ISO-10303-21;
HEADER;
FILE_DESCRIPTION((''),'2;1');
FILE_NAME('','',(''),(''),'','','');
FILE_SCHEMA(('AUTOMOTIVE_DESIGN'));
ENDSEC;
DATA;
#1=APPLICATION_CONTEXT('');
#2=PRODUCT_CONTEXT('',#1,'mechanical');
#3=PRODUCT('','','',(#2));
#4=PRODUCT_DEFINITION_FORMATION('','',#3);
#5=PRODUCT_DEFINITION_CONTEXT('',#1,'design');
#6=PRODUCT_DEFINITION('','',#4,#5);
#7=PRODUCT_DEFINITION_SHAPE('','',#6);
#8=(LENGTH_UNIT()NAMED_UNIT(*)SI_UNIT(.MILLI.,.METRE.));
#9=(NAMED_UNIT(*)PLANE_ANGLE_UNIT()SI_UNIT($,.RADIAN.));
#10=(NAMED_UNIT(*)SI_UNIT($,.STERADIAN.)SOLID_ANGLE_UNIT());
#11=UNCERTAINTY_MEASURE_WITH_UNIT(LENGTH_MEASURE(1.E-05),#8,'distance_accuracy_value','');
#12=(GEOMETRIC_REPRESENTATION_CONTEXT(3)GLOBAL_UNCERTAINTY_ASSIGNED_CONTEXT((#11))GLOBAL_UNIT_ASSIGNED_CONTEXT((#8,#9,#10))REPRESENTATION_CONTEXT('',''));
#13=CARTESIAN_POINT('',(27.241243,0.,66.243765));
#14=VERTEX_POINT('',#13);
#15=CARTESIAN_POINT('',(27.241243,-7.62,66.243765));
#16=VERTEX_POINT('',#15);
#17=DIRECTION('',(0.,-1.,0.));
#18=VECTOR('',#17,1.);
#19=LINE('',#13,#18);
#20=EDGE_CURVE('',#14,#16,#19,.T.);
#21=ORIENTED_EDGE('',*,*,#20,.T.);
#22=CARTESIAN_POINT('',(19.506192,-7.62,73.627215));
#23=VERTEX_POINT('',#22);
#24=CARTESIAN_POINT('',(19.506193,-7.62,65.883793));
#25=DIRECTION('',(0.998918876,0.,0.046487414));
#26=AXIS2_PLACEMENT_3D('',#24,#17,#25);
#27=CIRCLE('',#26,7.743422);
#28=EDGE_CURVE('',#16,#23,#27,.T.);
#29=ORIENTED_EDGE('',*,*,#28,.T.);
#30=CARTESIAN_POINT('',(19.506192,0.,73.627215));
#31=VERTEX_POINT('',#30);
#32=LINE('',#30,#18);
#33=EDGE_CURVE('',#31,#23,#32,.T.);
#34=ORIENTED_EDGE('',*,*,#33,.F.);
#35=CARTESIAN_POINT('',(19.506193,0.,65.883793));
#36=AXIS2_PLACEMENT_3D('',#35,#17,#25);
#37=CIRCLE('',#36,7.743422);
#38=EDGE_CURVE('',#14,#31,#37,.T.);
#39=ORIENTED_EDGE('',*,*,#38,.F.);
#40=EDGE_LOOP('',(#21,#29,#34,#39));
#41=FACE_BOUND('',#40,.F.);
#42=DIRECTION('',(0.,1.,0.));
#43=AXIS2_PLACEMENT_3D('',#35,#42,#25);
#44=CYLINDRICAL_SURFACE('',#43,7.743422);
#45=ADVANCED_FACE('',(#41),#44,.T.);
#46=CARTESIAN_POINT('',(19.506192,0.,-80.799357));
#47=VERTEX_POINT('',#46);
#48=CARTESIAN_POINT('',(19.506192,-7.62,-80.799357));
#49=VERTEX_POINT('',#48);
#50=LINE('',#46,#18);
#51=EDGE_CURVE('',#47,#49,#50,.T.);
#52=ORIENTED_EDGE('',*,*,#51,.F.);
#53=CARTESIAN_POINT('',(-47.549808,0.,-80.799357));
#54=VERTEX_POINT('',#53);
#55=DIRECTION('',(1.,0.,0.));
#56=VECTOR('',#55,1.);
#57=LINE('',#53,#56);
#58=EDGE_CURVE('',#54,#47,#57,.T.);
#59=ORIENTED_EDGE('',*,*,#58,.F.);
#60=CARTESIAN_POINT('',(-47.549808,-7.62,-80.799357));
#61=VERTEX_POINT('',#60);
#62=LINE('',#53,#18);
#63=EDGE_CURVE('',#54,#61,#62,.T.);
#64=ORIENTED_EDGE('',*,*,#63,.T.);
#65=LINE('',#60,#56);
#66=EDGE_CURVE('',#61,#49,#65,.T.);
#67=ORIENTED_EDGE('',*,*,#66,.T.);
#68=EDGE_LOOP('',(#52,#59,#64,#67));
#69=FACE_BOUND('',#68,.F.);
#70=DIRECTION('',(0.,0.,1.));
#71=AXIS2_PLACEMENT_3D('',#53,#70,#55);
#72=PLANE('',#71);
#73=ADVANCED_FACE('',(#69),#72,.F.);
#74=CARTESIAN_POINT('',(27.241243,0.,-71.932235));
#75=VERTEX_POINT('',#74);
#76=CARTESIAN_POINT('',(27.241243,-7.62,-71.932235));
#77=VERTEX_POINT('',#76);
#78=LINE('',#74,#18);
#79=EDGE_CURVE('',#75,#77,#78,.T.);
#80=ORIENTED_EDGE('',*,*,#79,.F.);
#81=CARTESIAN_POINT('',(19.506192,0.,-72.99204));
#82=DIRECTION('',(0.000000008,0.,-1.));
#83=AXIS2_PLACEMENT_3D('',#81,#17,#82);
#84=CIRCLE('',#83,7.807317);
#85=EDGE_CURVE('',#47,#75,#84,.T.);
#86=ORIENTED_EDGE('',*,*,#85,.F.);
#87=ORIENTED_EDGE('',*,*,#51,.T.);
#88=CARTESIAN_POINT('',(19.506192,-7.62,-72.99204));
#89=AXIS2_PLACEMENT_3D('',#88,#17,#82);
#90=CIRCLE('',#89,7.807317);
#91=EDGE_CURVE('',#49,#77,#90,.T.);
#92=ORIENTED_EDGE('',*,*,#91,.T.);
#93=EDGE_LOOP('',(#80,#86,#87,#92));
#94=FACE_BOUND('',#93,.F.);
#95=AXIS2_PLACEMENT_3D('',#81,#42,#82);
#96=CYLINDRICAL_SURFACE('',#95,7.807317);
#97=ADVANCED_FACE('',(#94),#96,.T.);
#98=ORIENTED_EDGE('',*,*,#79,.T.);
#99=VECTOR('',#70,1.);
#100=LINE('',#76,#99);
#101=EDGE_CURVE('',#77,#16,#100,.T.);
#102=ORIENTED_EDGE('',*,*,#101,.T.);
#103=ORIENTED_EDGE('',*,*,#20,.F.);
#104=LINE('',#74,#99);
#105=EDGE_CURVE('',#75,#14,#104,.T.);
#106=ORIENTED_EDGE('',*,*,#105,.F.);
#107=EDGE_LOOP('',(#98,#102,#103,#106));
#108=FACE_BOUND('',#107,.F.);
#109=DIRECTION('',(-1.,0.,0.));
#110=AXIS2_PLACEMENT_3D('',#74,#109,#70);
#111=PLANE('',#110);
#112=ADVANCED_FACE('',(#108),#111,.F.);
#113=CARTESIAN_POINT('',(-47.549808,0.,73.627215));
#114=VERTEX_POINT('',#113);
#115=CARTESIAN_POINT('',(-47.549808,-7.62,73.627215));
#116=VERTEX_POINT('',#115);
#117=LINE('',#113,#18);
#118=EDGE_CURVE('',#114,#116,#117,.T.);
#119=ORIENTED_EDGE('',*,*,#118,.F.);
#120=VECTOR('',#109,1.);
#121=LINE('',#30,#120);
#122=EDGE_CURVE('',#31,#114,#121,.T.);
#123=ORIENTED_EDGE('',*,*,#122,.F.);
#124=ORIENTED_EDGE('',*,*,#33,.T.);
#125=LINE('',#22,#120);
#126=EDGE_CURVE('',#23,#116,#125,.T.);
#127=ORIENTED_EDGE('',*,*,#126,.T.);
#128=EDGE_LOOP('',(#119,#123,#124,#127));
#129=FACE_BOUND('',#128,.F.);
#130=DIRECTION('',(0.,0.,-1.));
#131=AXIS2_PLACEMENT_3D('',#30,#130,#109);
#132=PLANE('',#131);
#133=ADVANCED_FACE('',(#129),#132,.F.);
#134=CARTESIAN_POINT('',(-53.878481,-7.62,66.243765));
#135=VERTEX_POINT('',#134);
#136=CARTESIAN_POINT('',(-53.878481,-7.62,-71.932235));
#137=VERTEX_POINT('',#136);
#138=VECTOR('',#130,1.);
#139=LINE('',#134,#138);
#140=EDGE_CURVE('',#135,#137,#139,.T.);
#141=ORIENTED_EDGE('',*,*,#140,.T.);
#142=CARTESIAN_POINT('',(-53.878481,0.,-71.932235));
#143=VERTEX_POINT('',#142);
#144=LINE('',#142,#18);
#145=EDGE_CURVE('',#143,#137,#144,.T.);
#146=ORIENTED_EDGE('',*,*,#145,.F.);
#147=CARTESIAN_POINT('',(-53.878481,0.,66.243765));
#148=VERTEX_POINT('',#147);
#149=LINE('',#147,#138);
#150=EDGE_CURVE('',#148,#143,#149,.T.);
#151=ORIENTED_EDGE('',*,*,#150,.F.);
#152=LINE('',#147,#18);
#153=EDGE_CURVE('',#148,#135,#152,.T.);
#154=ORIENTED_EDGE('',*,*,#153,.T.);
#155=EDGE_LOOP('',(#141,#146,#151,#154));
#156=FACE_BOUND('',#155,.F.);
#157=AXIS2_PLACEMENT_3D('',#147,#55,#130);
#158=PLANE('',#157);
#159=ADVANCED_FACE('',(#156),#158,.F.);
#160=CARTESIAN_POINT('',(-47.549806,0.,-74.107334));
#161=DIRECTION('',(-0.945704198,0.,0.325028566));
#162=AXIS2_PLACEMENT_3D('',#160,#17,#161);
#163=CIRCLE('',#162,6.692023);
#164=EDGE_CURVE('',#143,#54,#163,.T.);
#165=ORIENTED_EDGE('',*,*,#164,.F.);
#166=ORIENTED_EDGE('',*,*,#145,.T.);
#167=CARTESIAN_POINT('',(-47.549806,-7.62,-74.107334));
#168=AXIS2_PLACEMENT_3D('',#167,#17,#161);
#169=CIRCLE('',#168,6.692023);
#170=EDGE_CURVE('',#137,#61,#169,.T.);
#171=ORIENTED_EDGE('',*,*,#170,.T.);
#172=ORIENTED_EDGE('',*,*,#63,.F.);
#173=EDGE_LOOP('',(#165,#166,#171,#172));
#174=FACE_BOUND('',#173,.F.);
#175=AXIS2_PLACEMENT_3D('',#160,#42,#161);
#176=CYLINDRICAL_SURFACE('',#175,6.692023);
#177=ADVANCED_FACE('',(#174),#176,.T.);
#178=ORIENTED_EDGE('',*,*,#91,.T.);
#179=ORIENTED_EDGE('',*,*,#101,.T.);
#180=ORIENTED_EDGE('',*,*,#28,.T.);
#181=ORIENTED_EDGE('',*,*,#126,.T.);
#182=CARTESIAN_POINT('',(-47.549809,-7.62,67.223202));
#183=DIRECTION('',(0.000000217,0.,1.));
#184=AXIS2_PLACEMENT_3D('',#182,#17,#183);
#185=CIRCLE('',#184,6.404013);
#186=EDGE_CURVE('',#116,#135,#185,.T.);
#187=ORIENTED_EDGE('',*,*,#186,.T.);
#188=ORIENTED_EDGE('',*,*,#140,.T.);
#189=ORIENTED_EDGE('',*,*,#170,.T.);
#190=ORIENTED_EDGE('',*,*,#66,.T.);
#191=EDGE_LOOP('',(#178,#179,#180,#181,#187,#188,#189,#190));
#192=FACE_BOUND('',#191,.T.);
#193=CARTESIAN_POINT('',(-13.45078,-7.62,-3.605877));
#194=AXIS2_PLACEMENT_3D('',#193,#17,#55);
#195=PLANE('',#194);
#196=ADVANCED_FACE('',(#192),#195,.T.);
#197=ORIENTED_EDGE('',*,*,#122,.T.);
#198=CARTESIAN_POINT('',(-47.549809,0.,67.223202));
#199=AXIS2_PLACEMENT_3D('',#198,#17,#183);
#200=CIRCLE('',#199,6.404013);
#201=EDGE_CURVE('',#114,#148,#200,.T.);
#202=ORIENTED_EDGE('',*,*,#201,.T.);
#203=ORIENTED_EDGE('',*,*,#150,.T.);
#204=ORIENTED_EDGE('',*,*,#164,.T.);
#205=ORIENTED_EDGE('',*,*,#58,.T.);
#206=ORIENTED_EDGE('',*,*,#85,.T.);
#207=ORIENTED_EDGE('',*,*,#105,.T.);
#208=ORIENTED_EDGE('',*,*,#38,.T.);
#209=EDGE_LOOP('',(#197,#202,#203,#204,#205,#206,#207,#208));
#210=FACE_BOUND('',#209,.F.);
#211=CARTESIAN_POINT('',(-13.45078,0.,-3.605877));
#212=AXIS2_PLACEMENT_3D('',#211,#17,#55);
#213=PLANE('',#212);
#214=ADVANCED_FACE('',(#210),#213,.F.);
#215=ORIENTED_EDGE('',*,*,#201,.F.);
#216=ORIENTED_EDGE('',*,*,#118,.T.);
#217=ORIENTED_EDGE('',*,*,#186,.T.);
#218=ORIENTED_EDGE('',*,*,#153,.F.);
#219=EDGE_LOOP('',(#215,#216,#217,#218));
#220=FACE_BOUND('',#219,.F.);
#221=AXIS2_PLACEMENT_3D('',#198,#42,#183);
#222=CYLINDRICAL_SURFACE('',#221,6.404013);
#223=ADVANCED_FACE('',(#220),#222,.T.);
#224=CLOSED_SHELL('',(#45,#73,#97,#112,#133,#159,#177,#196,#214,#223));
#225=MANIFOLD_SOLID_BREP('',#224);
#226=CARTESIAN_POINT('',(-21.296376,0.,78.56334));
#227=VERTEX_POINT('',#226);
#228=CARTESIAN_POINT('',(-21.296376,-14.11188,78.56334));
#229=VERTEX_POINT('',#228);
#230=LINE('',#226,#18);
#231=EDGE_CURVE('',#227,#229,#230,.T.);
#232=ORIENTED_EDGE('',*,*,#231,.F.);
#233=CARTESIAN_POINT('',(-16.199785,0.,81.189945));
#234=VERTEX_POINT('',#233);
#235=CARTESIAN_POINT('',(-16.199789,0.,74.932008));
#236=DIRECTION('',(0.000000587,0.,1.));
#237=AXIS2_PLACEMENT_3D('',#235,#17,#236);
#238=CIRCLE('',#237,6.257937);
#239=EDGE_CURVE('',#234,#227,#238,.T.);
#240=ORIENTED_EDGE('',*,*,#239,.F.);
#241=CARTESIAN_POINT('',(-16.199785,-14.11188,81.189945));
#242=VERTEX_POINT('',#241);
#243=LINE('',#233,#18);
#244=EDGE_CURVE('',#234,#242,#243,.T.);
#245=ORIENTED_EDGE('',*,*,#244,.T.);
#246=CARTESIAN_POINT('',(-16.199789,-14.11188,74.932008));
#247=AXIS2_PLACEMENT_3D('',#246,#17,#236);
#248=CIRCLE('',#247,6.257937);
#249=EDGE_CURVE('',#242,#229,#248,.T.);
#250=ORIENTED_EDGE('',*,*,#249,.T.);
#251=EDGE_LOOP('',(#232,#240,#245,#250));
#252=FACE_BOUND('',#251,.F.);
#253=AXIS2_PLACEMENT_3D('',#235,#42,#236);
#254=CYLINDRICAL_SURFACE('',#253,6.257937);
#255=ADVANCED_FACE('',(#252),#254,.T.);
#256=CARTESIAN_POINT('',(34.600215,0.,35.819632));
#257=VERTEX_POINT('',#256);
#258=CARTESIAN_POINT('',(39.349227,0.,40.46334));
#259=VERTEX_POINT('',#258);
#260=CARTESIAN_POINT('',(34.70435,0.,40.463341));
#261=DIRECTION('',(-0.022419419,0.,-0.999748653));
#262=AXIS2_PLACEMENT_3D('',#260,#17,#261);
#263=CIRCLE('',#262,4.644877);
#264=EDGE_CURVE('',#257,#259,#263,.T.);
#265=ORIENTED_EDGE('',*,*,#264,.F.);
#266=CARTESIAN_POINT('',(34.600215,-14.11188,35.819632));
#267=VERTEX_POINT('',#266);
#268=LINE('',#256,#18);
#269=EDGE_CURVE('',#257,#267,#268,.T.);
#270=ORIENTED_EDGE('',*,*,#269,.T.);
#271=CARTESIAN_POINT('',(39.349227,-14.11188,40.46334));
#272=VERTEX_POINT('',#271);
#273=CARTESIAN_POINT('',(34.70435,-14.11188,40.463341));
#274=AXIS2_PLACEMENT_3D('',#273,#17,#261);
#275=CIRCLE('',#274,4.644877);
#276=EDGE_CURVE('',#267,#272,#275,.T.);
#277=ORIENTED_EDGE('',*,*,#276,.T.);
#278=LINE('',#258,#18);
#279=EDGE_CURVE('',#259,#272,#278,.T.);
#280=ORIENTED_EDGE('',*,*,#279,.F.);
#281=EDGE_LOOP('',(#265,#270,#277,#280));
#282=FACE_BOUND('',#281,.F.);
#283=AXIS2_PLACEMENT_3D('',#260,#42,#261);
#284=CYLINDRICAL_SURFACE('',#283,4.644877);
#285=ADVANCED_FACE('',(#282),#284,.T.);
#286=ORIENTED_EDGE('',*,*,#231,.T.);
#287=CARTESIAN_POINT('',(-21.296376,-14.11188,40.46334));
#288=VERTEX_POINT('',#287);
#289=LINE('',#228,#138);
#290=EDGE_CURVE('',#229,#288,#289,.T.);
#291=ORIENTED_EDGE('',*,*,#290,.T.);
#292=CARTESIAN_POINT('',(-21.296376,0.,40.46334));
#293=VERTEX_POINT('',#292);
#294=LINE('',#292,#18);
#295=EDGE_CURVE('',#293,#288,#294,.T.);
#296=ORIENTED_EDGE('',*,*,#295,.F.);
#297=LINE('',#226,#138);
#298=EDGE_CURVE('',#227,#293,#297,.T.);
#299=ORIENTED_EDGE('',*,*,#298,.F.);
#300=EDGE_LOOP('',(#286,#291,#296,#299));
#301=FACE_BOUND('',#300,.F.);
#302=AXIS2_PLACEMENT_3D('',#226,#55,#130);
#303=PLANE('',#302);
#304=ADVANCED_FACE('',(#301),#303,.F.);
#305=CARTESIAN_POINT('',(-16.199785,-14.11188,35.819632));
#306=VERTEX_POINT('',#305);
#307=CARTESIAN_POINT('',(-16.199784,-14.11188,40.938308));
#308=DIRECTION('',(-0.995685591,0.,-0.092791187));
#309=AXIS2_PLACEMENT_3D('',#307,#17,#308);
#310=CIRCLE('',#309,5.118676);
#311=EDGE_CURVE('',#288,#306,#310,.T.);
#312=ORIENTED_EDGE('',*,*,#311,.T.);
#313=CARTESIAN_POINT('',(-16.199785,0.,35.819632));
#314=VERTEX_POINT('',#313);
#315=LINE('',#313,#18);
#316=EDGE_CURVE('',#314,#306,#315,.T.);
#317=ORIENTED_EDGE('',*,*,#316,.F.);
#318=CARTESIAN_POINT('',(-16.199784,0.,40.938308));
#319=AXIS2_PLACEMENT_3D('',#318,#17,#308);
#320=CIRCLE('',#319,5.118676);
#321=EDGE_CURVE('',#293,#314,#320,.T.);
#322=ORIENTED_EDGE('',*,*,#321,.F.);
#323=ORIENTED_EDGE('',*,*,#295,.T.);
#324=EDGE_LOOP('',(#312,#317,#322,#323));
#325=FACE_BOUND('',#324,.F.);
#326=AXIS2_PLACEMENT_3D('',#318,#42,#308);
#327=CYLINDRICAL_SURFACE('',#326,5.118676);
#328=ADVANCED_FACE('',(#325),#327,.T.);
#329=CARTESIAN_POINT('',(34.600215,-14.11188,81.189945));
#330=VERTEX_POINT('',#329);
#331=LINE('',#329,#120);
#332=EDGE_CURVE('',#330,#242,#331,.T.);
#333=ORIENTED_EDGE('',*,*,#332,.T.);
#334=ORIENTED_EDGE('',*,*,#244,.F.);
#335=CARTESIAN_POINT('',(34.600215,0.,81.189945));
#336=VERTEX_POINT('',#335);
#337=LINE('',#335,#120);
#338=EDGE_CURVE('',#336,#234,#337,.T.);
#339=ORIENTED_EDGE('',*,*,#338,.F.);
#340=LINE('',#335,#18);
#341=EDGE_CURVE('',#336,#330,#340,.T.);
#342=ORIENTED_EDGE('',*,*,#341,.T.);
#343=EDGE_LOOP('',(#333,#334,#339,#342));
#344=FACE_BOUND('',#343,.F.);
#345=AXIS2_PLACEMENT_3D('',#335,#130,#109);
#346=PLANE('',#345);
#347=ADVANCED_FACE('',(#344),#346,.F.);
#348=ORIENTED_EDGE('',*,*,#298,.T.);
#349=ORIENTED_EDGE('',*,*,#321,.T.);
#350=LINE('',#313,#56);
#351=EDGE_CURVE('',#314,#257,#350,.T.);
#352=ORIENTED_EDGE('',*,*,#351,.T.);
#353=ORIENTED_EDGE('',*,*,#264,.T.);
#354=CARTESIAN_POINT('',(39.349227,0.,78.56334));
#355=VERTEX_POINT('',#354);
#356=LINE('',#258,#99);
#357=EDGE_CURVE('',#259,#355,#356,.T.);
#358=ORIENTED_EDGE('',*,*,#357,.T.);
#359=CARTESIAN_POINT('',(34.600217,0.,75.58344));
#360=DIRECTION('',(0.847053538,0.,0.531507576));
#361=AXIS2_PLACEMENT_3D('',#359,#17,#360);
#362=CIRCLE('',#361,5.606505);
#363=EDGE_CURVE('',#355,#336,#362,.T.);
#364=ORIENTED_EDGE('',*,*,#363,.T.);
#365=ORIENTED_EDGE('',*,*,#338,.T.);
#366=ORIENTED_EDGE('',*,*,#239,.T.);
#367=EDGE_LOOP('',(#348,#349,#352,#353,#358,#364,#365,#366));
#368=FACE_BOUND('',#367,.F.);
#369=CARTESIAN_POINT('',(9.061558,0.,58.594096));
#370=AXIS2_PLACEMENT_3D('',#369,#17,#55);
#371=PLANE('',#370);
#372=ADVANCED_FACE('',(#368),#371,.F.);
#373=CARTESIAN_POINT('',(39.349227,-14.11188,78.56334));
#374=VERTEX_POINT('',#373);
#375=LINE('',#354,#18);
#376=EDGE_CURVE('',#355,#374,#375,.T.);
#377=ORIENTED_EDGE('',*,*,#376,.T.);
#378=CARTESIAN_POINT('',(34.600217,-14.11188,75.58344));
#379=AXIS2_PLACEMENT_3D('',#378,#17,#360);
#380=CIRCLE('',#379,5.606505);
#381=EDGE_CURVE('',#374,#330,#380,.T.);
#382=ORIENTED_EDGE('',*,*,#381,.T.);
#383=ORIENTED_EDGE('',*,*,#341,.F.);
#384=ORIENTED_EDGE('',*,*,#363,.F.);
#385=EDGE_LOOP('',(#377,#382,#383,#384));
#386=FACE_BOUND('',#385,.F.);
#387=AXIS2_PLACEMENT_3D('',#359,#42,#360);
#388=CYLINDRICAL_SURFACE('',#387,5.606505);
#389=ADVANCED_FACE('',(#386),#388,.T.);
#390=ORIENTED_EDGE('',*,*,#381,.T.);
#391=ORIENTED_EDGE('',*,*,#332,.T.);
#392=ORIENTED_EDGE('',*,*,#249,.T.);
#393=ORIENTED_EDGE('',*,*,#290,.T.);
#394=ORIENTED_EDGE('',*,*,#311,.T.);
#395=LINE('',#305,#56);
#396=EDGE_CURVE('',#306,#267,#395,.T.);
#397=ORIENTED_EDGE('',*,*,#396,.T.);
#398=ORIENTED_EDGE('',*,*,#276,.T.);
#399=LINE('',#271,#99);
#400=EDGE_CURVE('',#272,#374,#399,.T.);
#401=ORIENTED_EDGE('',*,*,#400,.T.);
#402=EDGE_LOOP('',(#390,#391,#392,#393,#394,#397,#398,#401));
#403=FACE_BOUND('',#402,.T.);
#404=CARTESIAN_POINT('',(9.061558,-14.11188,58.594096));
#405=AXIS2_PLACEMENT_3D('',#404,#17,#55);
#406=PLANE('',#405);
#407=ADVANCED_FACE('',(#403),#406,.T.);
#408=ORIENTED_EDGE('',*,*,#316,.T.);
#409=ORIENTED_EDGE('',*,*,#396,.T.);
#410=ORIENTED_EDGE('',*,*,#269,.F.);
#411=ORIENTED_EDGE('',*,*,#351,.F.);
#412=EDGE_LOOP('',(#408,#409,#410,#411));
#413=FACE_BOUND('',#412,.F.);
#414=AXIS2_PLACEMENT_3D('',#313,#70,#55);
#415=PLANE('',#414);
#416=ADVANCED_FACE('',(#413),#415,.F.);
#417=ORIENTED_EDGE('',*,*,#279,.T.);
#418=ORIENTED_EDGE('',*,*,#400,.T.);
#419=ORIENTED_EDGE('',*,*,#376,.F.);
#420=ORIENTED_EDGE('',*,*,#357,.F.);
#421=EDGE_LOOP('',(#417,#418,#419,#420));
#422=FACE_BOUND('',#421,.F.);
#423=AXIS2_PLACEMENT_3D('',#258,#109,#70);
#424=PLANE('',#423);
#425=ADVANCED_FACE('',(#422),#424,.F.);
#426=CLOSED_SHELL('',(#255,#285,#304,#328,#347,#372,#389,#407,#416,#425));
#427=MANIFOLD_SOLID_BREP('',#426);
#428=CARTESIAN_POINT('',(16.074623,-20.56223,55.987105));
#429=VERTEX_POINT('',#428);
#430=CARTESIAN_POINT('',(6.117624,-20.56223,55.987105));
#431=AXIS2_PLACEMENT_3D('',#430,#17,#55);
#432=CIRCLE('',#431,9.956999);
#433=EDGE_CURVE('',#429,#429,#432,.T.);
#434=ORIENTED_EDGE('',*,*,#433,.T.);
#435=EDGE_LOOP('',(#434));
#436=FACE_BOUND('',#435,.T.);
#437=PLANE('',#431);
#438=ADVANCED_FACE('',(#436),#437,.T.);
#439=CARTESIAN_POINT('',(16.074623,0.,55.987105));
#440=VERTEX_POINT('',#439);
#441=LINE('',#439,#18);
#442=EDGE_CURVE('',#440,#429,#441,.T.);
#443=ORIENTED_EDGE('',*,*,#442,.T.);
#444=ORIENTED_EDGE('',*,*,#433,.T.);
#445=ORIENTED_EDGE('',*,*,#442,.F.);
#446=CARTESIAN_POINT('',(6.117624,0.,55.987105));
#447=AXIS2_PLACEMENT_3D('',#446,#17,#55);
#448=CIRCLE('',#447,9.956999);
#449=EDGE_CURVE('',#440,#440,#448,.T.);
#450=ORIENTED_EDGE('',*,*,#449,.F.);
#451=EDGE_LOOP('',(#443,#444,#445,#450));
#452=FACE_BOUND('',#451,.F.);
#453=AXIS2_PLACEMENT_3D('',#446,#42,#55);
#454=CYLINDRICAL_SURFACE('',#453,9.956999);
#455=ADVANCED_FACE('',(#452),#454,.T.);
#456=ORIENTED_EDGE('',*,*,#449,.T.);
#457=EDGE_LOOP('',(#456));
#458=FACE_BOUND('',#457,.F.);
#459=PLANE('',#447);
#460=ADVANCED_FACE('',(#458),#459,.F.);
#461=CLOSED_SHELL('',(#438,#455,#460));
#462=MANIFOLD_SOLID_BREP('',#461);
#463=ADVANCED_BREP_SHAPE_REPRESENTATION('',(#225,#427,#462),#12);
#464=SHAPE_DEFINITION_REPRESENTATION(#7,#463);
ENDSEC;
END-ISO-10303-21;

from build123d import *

# Parameters (mm, degrees)
F1_DEPTH = 7.62
F4_DEPTH = 14.11188
F3_R     = 9.956999
F5_DEPTH = 20.56223


with BuildPart() as f1:
    # F0 (on Front) → F1 (new body)
    with BuildSketch(Plane.XZ):
        with BuildLine():
            Line((19.506192, 73.627215), (-47.549808, 73.627215))
            ThreePointArc((-47.549808, 73.627215), (-52.412098, 71.390879), (-53.878481, 66.243765))
            Line((-53.878481, 66.243765), (-53.878481, -71.932235))
            ThreePointArc((-53.878481, -71.932235), (-52.996778, -77.994965), (-47.549808, -80.799357))
            Line((-47.549808, -80.799357), (19.506192, -80.799357))
            ThreePointArc((19.506192, -80.799357), (25.389577, -78.124289), (27.241243, -71.932235))
            Line((27.241243, -71.932235), (27.241243, 66.243765))
            ThreePointArc((27.241243, 66.243765), (24.852835, 71.485043), (19.506192, 73.627215))
        make_face()
    extrude(amount=F1_DEPTH)


with BuildPart() as f4:
    # F2 (on Front) → F4 (new body)
    with BuildSketch(Plane.XZ):
        with BuildLine():
            Line((-16.199785, 35.819632), (34.600215, 35.819632))
            ThreePointArc((34.600215, 35.819632), (37.951748, 37.142304), (39.349227, 40.46334))
            Line((39.349227, 40.46334), (39.349227, 78.56334))
            ThreePointArc((39.349227, 78.56334), (37.313708, 80.489545), (34.600215, 81.189945))
            Line((34.600215, 81.189945), (-16.199785, 81.189945))
            ThreePointArc((-16.199785, 81.189945), (-19.066591, 80.494671), (-21.296376, 78.56334))
            Line((-21.296376, 78.56334), (-21.296376, 40.46334))
            ThreePointArc((-21.296376, 40.46334), (-19.647221, 37.154656), (-16.199785, 35.819632))
        make_face()
    extrude(amount=F4_DEPTH)


with BuildPart() as f5:
    # F3 (on face) → F5 (new body)
    with BuildSketch(Plane.XZ):
        with Locations((6.117624, 55.987105)):
            Circle(F3_R)
    extrude(amount=F5_DEPTH)


solid = Compound([f1.part, f4.part, f5.part])
